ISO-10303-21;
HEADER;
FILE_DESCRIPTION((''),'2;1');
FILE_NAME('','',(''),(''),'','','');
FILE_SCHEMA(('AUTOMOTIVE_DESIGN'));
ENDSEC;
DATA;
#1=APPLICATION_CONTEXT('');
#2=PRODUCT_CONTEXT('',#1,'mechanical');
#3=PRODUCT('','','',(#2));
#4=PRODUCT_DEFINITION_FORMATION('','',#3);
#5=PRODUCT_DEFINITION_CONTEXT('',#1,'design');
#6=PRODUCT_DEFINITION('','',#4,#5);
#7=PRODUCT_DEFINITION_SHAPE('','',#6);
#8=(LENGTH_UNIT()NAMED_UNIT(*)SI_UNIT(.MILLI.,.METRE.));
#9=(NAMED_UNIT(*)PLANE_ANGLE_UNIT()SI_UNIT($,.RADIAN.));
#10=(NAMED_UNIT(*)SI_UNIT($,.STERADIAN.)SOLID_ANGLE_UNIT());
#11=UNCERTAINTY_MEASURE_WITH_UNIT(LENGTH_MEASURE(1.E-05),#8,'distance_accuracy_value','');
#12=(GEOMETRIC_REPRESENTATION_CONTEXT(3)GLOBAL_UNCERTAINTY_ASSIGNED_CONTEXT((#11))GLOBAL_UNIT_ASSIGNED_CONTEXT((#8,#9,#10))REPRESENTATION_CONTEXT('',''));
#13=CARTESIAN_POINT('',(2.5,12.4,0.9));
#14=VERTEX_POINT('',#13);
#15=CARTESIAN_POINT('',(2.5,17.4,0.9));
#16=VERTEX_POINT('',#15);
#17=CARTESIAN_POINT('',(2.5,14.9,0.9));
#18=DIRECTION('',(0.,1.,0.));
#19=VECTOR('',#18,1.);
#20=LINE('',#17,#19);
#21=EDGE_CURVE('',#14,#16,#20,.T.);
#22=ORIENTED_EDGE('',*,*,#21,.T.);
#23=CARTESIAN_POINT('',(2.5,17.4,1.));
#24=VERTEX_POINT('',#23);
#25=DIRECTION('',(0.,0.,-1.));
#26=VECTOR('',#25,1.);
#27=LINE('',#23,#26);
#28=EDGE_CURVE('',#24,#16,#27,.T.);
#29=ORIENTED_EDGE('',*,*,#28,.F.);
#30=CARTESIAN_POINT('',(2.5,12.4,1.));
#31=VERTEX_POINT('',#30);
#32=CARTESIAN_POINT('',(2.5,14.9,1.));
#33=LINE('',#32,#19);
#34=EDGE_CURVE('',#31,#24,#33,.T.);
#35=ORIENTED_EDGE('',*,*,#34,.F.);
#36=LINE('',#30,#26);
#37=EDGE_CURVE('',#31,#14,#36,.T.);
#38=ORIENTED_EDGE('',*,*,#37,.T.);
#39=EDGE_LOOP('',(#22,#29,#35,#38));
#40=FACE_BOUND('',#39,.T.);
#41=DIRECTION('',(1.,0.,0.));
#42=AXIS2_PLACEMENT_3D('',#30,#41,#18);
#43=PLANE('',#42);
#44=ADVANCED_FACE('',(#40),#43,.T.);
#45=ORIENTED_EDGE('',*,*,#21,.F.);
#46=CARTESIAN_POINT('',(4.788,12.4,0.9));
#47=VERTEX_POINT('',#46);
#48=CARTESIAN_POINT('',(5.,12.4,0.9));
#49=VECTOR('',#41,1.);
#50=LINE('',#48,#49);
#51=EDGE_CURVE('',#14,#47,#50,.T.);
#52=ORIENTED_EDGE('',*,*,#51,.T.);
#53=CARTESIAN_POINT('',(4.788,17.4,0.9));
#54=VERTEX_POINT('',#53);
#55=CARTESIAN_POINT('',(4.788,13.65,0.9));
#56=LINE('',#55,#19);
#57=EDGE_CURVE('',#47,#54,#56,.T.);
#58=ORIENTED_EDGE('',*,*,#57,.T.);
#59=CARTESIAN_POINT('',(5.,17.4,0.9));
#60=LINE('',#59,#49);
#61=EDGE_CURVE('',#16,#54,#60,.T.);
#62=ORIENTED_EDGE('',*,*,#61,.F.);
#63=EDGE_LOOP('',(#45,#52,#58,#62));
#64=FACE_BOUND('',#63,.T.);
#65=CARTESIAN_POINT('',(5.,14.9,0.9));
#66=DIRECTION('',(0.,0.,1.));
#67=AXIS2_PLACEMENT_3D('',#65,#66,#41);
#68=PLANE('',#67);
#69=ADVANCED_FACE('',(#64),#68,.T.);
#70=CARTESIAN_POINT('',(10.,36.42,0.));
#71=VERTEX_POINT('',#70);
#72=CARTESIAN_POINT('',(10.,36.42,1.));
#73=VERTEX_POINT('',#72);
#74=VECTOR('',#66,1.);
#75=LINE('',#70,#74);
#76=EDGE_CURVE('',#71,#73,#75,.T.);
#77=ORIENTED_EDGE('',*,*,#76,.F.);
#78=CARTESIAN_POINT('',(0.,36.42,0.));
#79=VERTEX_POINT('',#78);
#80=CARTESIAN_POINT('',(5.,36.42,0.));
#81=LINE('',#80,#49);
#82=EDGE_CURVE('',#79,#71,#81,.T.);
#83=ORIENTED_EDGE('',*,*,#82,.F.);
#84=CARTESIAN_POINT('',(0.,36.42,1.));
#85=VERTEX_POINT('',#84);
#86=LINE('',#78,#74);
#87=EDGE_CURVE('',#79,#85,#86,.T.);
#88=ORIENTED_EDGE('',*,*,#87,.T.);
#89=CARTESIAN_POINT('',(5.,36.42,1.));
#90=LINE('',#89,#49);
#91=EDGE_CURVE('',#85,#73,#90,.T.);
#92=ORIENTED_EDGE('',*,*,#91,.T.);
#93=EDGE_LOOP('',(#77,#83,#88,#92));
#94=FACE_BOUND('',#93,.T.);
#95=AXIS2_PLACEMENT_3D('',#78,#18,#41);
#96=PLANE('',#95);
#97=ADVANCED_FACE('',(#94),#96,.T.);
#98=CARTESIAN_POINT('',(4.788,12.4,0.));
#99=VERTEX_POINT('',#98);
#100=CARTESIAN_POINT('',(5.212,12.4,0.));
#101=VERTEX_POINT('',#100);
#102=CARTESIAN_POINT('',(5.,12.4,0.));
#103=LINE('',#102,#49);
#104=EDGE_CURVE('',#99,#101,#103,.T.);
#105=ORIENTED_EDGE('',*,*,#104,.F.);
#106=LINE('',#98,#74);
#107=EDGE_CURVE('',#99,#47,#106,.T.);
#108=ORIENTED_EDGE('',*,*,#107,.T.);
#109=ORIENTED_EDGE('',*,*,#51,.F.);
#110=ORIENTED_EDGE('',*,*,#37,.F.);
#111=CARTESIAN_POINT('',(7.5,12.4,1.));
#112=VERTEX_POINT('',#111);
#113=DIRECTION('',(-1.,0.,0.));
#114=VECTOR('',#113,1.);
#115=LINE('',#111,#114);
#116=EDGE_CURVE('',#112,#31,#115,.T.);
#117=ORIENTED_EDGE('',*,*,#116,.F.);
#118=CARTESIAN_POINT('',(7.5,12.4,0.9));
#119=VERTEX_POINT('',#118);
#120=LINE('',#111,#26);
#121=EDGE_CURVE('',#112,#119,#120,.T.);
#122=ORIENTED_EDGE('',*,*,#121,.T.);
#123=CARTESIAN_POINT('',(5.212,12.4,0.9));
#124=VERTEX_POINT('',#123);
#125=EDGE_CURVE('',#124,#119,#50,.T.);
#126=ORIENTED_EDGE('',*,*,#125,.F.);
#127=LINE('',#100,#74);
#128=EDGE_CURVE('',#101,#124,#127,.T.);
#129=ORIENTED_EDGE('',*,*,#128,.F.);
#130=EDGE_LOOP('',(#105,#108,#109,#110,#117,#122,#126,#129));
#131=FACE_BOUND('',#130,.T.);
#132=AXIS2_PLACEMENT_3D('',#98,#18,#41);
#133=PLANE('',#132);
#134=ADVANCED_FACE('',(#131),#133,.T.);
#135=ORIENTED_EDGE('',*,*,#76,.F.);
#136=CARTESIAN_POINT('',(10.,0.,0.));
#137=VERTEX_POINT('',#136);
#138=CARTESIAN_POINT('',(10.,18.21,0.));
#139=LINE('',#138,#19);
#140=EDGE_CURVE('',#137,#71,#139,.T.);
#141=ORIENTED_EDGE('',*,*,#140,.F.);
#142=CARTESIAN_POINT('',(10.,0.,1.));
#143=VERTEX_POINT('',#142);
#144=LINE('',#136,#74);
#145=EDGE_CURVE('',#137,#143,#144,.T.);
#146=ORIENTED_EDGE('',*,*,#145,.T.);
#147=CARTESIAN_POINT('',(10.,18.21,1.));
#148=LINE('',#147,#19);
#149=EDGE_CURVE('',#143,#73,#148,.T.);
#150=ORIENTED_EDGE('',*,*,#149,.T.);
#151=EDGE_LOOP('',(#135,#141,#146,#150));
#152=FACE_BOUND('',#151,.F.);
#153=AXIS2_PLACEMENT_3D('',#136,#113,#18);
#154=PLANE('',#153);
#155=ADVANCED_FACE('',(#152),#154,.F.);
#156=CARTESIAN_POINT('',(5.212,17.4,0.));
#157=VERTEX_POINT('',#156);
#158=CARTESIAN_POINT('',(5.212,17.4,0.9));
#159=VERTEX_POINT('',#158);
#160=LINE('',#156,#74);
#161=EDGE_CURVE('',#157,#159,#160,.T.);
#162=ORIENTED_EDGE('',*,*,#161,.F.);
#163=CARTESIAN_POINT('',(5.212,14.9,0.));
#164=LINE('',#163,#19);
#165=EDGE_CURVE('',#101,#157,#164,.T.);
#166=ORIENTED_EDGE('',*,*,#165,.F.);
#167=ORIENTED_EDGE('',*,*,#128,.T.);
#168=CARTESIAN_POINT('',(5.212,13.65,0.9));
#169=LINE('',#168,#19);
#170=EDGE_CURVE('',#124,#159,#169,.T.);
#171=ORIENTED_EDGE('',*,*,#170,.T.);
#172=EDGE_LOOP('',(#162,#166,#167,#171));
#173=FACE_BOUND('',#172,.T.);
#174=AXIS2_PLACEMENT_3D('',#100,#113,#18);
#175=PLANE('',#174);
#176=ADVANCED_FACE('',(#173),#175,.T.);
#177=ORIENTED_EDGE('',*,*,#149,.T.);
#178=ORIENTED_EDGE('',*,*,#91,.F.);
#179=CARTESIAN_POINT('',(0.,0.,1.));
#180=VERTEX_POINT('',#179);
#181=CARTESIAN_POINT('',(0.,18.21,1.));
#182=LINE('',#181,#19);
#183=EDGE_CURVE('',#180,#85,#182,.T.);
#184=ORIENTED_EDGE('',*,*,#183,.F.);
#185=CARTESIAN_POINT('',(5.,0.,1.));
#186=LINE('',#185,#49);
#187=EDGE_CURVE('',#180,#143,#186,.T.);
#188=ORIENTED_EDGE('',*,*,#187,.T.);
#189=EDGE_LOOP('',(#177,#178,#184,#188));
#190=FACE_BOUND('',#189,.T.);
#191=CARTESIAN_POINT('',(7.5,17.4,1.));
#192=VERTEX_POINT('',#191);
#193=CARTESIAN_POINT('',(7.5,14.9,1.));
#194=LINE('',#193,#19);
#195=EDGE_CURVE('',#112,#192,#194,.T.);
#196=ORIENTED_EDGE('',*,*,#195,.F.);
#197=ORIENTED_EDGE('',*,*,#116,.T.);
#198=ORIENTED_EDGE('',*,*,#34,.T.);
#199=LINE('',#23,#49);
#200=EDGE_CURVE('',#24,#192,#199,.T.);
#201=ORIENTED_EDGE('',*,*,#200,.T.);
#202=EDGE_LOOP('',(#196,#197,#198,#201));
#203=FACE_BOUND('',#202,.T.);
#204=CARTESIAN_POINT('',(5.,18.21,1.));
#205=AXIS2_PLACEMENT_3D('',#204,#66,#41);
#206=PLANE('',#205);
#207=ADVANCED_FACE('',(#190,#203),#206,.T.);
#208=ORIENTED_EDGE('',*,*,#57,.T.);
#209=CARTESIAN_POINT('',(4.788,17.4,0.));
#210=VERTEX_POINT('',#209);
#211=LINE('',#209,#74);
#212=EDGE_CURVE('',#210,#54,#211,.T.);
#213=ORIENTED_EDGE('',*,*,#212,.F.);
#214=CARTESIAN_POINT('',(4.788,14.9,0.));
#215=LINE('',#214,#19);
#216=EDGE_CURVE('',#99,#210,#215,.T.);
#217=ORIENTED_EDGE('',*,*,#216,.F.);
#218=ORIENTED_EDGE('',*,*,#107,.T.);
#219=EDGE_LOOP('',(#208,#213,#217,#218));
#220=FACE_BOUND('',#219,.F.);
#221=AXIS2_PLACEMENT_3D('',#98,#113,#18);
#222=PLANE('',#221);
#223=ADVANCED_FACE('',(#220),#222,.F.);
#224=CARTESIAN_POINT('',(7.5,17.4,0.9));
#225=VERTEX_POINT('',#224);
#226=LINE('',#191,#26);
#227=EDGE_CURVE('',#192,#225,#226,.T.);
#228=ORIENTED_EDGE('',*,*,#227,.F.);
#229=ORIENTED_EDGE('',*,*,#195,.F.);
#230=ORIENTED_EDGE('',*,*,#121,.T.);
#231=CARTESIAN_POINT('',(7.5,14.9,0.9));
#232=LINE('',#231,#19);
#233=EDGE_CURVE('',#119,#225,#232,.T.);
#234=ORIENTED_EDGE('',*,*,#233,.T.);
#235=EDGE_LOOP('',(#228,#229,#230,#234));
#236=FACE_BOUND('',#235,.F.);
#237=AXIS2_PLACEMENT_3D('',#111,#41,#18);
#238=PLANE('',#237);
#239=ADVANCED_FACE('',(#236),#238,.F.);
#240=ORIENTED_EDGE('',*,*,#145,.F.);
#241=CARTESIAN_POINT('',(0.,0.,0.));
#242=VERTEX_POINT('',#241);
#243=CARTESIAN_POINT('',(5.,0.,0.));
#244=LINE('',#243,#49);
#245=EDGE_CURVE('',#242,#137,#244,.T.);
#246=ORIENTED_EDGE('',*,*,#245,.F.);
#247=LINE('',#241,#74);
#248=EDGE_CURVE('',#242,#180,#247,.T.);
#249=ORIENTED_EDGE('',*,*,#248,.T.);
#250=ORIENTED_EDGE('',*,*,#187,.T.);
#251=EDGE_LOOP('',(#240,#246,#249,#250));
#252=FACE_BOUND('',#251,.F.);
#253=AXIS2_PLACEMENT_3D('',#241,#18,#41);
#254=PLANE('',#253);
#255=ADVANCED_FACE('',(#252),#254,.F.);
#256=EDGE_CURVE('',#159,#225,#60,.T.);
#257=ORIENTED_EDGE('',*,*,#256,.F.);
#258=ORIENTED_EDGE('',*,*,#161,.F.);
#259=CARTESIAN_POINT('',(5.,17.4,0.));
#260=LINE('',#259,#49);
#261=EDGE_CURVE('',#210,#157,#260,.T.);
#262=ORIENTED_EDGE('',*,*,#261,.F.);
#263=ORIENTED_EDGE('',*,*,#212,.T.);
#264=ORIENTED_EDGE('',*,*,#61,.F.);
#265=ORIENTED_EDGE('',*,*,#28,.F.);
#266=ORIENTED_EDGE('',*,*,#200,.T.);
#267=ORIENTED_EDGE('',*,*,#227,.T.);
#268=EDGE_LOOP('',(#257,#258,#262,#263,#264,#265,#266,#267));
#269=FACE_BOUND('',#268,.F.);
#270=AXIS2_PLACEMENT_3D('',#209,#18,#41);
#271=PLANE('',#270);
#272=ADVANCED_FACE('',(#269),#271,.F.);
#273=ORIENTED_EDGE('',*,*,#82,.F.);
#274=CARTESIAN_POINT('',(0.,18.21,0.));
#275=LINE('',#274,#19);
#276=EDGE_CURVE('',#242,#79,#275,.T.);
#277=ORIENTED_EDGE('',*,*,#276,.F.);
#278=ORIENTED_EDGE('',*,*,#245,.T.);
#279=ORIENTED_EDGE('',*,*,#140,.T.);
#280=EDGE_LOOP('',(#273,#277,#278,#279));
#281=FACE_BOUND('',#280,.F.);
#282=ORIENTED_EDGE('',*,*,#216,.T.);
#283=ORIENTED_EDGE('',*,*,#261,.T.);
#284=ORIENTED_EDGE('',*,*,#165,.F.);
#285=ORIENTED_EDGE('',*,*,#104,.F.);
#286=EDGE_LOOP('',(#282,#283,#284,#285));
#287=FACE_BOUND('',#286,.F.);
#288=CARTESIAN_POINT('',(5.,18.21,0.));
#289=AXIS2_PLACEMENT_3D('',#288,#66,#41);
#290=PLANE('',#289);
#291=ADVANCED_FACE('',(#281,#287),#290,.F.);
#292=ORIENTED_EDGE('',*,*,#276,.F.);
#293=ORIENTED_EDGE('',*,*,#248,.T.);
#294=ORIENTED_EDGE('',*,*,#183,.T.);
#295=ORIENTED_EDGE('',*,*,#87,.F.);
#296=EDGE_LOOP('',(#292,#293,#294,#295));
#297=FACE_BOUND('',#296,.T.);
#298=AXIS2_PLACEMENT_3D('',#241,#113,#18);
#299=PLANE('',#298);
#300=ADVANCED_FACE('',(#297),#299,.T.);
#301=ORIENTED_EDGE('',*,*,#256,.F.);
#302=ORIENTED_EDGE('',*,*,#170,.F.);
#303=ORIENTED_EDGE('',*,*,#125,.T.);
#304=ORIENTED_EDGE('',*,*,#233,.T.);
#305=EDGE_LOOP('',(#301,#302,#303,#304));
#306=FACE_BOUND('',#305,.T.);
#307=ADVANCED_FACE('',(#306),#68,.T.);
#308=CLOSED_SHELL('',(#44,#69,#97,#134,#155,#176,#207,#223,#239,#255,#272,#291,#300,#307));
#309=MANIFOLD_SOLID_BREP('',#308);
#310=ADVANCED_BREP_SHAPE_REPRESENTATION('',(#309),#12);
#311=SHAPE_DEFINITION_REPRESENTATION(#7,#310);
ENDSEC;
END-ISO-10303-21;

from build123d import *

# Parameters (mm, degrees)
SKETCH_W     = 10
SKETCH_H     = 36.42
SKETCH_W_2   = 0.424
SKETCH_H_2   = 5
PAD_DEPTH    = 1
SKETCH001_W  = 5
SKETCH001_H  = 5
POCKET_DEPTH = 0.1


with BuildPart() as part:
    # Sketch → Pad (new body)
    with BuildSketch(Plane.XY):
        with Locations((5, 18.21)):
            Rectangle(SKETCH_W, SKETCH_H)
        with Locations((5, 14.9)):
            Rectangle(SKETCH_W_2, SKETCH_H_2, mode=Mode.SUBTRACT)
    extrude(amount=PAD_DEPTH)

    # Sketch001 (on Face10 of Pad) → Pocket (cut)
    with BuildSketch(Plane.XY.offset(1)):
        with Locations((5, 14.9)):
            Rectangle(SKETCH001_W, SKETCH001_H)
    extrude(amount=-POCKET_DEPTH, mode=Mode.SUBTRACT)


solid = part.part
